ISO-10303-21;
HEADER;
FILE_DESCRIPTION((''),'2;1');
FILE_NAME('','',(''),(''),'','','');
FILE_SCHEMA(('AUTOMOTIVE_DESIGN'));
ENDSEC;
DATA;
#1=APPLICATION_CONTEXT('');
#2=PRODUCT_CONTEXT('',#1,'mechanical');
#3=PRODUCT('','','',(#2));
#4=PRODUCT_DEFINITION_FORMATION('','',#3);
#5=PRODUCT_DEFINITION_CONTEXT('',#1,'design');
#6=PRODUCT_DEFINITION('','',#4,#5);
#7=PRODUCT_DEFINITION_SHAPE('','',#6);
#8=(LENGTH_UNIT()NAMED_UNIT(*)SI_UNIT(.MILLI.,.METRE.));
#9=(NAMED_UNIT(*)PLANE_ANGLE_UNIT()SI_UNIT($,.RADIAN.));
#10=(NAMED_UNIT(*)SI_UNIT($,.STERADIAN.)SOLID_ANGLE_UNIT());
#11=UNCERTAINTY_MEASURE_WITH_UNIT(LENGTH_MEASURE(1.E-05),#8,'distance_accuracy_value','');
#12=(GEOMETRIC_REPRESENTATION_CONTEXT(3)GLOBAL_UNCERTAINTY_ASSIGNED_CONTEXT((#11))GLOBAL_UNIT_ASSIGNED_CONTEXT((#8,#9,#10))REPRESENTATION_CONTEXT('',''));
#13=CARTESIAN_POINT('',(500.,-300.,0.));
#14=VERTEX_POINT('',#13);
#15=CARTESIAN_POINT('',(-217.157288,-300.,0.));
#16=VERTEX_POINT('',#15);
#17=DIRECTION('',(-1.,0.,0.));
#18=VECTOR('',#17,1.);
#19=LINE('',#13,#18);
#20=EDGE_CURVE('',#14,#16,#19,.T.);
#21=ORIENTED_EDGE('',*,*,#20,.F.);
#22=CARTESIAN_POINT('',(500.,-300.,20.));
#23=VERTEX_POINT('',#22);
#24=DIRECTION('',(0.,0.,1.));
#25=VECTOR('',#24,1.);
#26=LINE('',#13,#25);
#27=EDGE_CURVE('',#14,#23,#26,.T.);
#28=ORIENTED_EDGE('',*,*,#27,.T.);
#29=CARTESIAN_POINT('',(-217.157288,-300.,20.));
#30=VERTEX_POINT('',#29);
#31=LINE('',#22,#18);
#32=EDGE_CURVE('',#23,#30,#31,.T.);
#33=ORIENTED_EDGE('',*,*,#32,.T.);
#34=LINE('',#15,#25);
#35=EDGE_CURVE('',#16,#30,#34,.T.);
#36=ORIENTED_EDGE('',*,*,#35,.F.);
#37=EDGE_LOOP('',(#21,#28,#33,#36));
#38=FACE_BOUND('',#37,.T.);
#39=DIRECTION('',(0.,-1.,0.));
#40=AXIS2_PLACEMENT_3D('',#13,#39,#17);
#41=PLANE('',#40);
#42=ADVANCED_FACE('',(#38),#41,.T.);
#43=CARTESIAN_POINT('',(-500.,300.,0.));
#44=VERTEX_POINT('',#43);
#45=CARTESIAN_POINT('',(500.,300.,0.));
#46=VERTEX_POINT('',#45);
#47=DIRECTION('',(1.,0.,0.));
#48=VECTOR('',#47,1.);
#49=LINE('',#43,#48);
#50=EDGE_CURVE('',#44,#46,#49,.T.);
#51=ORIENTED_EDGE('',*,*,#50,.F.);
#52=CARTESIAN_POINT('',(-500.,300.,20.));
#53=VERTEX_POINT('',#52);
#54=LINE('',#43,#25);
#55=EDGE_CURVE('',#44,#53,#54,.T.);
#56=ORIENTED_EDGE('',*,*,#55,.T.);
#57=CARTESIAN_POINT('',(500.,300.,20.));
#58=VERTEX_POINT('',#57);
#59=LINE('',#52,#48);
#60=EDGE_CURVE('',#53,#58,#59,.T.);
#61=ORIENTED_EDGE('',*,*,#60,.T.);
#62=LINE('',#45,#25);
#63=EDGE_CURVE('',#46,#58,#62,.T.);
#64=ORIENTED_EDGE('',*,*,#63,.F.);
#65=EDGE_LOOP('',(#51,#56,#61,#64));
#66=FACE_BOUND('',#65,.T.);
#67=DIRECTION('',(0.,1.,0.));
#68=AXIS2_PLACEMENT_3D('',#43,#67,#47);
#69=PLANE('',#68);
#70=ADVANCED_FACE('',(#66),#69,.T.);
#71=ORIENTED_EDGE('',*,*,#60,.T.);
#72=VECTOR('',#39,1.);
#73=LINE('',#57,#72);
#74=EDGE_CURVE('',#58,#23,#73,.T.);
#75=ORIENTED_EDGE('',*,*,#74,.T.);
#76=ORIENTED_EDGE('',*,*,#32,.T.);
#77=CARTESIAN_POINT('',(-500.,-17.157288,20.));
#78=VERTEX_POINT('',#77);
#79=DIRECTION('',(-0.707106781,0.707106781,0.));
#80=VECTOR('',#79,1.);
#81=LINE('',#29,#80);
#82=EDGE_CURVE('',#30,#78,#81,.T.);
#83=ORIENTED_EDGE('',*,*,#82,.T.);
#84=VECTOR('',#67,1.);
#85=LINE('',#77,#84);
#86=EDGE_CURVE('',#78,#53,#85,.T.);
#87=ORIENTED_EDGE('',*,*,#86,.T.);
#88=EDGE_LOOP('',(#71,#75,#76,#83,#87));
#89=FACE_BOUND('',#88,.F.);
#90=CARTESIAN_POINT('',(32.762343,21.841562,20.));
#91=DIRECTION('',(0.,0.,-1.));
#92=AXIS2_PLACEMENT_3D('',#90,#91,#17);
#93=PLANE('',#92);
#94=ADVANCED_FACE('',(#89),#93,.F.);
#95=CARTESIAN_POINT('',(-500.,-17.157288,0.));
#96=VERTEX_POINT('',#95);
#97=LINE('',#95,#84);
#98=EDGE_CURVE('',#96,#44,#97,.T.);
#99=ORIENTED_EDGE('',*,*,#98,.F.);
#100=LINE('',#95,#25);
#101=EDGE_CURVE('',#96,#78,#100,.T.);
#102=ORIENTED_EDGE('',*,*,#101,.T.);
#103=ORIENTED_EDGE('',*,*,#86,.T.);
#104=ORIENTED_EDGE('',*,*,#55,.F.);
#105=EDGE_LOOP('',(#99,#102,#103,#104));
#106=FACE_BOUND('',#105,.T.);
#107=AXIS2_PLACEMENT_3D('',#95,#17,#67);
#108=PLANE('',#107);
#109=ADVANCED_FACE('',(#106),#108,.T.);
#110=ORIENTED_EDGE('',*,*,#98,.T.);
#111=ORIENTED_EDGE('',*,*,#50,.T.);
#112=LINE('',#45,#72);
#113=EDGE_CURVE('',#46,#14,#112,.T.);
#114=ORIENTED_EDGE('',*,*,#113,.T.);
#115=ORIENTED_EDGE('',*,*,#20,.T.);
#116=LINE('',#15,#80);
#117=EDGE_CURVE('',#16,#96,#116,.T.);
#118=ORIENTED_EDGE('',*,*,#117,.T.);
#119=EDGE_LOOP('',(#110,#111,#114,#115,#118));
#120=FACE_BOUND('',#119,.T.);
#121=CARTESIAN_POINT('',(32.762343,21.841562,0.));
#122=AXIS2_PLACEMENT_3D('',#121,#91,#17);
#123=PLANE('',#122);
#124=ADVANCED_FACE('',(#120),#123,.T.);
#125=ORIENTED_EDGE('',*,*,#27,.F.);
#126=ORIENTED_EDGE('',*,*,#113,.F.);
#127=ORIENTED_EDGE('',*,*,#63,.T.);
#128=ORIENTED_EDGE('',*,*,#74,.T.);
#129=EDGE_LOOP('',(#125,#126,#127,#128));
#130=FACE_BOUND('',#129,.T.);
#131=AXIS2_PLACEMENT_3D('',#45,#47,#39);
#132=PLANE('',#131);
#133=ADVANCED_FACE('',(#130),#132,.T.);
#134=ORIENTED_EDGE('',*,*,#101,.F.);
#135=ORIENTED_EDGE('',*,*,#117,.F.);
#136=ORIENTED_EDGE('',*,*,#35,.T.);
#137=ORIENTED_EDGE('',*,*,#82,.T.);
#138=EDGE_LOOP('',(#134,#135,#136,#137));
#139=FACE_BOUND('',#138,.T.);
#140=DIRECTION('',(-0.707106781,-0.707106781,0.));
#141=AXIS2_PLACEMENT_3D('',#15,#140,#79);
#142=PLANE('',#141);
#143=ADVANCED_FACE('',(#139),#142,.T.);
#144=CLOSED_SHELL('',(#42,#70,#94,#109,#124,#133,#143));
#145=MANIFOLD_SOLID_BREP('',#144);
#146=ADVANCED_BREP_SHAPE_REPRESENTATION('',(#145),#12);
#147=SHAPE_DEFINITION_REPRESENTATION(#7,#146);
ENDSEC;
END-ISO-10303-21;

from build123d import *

# Parameters (mm, degrees)
EXTRUDE_DEPTH = 20


with BuildPart() as part:
    # Sketch → Extrude (new body)
    with BuildSketch(Plane.XY):
        Polygon((-500, 300), (500, 300), (500, -300), (-217.157288, -300), (-500, -17.157288), align=None)
    extrude(amount=EXTRUDE_DEPTH)


solid = part.part
